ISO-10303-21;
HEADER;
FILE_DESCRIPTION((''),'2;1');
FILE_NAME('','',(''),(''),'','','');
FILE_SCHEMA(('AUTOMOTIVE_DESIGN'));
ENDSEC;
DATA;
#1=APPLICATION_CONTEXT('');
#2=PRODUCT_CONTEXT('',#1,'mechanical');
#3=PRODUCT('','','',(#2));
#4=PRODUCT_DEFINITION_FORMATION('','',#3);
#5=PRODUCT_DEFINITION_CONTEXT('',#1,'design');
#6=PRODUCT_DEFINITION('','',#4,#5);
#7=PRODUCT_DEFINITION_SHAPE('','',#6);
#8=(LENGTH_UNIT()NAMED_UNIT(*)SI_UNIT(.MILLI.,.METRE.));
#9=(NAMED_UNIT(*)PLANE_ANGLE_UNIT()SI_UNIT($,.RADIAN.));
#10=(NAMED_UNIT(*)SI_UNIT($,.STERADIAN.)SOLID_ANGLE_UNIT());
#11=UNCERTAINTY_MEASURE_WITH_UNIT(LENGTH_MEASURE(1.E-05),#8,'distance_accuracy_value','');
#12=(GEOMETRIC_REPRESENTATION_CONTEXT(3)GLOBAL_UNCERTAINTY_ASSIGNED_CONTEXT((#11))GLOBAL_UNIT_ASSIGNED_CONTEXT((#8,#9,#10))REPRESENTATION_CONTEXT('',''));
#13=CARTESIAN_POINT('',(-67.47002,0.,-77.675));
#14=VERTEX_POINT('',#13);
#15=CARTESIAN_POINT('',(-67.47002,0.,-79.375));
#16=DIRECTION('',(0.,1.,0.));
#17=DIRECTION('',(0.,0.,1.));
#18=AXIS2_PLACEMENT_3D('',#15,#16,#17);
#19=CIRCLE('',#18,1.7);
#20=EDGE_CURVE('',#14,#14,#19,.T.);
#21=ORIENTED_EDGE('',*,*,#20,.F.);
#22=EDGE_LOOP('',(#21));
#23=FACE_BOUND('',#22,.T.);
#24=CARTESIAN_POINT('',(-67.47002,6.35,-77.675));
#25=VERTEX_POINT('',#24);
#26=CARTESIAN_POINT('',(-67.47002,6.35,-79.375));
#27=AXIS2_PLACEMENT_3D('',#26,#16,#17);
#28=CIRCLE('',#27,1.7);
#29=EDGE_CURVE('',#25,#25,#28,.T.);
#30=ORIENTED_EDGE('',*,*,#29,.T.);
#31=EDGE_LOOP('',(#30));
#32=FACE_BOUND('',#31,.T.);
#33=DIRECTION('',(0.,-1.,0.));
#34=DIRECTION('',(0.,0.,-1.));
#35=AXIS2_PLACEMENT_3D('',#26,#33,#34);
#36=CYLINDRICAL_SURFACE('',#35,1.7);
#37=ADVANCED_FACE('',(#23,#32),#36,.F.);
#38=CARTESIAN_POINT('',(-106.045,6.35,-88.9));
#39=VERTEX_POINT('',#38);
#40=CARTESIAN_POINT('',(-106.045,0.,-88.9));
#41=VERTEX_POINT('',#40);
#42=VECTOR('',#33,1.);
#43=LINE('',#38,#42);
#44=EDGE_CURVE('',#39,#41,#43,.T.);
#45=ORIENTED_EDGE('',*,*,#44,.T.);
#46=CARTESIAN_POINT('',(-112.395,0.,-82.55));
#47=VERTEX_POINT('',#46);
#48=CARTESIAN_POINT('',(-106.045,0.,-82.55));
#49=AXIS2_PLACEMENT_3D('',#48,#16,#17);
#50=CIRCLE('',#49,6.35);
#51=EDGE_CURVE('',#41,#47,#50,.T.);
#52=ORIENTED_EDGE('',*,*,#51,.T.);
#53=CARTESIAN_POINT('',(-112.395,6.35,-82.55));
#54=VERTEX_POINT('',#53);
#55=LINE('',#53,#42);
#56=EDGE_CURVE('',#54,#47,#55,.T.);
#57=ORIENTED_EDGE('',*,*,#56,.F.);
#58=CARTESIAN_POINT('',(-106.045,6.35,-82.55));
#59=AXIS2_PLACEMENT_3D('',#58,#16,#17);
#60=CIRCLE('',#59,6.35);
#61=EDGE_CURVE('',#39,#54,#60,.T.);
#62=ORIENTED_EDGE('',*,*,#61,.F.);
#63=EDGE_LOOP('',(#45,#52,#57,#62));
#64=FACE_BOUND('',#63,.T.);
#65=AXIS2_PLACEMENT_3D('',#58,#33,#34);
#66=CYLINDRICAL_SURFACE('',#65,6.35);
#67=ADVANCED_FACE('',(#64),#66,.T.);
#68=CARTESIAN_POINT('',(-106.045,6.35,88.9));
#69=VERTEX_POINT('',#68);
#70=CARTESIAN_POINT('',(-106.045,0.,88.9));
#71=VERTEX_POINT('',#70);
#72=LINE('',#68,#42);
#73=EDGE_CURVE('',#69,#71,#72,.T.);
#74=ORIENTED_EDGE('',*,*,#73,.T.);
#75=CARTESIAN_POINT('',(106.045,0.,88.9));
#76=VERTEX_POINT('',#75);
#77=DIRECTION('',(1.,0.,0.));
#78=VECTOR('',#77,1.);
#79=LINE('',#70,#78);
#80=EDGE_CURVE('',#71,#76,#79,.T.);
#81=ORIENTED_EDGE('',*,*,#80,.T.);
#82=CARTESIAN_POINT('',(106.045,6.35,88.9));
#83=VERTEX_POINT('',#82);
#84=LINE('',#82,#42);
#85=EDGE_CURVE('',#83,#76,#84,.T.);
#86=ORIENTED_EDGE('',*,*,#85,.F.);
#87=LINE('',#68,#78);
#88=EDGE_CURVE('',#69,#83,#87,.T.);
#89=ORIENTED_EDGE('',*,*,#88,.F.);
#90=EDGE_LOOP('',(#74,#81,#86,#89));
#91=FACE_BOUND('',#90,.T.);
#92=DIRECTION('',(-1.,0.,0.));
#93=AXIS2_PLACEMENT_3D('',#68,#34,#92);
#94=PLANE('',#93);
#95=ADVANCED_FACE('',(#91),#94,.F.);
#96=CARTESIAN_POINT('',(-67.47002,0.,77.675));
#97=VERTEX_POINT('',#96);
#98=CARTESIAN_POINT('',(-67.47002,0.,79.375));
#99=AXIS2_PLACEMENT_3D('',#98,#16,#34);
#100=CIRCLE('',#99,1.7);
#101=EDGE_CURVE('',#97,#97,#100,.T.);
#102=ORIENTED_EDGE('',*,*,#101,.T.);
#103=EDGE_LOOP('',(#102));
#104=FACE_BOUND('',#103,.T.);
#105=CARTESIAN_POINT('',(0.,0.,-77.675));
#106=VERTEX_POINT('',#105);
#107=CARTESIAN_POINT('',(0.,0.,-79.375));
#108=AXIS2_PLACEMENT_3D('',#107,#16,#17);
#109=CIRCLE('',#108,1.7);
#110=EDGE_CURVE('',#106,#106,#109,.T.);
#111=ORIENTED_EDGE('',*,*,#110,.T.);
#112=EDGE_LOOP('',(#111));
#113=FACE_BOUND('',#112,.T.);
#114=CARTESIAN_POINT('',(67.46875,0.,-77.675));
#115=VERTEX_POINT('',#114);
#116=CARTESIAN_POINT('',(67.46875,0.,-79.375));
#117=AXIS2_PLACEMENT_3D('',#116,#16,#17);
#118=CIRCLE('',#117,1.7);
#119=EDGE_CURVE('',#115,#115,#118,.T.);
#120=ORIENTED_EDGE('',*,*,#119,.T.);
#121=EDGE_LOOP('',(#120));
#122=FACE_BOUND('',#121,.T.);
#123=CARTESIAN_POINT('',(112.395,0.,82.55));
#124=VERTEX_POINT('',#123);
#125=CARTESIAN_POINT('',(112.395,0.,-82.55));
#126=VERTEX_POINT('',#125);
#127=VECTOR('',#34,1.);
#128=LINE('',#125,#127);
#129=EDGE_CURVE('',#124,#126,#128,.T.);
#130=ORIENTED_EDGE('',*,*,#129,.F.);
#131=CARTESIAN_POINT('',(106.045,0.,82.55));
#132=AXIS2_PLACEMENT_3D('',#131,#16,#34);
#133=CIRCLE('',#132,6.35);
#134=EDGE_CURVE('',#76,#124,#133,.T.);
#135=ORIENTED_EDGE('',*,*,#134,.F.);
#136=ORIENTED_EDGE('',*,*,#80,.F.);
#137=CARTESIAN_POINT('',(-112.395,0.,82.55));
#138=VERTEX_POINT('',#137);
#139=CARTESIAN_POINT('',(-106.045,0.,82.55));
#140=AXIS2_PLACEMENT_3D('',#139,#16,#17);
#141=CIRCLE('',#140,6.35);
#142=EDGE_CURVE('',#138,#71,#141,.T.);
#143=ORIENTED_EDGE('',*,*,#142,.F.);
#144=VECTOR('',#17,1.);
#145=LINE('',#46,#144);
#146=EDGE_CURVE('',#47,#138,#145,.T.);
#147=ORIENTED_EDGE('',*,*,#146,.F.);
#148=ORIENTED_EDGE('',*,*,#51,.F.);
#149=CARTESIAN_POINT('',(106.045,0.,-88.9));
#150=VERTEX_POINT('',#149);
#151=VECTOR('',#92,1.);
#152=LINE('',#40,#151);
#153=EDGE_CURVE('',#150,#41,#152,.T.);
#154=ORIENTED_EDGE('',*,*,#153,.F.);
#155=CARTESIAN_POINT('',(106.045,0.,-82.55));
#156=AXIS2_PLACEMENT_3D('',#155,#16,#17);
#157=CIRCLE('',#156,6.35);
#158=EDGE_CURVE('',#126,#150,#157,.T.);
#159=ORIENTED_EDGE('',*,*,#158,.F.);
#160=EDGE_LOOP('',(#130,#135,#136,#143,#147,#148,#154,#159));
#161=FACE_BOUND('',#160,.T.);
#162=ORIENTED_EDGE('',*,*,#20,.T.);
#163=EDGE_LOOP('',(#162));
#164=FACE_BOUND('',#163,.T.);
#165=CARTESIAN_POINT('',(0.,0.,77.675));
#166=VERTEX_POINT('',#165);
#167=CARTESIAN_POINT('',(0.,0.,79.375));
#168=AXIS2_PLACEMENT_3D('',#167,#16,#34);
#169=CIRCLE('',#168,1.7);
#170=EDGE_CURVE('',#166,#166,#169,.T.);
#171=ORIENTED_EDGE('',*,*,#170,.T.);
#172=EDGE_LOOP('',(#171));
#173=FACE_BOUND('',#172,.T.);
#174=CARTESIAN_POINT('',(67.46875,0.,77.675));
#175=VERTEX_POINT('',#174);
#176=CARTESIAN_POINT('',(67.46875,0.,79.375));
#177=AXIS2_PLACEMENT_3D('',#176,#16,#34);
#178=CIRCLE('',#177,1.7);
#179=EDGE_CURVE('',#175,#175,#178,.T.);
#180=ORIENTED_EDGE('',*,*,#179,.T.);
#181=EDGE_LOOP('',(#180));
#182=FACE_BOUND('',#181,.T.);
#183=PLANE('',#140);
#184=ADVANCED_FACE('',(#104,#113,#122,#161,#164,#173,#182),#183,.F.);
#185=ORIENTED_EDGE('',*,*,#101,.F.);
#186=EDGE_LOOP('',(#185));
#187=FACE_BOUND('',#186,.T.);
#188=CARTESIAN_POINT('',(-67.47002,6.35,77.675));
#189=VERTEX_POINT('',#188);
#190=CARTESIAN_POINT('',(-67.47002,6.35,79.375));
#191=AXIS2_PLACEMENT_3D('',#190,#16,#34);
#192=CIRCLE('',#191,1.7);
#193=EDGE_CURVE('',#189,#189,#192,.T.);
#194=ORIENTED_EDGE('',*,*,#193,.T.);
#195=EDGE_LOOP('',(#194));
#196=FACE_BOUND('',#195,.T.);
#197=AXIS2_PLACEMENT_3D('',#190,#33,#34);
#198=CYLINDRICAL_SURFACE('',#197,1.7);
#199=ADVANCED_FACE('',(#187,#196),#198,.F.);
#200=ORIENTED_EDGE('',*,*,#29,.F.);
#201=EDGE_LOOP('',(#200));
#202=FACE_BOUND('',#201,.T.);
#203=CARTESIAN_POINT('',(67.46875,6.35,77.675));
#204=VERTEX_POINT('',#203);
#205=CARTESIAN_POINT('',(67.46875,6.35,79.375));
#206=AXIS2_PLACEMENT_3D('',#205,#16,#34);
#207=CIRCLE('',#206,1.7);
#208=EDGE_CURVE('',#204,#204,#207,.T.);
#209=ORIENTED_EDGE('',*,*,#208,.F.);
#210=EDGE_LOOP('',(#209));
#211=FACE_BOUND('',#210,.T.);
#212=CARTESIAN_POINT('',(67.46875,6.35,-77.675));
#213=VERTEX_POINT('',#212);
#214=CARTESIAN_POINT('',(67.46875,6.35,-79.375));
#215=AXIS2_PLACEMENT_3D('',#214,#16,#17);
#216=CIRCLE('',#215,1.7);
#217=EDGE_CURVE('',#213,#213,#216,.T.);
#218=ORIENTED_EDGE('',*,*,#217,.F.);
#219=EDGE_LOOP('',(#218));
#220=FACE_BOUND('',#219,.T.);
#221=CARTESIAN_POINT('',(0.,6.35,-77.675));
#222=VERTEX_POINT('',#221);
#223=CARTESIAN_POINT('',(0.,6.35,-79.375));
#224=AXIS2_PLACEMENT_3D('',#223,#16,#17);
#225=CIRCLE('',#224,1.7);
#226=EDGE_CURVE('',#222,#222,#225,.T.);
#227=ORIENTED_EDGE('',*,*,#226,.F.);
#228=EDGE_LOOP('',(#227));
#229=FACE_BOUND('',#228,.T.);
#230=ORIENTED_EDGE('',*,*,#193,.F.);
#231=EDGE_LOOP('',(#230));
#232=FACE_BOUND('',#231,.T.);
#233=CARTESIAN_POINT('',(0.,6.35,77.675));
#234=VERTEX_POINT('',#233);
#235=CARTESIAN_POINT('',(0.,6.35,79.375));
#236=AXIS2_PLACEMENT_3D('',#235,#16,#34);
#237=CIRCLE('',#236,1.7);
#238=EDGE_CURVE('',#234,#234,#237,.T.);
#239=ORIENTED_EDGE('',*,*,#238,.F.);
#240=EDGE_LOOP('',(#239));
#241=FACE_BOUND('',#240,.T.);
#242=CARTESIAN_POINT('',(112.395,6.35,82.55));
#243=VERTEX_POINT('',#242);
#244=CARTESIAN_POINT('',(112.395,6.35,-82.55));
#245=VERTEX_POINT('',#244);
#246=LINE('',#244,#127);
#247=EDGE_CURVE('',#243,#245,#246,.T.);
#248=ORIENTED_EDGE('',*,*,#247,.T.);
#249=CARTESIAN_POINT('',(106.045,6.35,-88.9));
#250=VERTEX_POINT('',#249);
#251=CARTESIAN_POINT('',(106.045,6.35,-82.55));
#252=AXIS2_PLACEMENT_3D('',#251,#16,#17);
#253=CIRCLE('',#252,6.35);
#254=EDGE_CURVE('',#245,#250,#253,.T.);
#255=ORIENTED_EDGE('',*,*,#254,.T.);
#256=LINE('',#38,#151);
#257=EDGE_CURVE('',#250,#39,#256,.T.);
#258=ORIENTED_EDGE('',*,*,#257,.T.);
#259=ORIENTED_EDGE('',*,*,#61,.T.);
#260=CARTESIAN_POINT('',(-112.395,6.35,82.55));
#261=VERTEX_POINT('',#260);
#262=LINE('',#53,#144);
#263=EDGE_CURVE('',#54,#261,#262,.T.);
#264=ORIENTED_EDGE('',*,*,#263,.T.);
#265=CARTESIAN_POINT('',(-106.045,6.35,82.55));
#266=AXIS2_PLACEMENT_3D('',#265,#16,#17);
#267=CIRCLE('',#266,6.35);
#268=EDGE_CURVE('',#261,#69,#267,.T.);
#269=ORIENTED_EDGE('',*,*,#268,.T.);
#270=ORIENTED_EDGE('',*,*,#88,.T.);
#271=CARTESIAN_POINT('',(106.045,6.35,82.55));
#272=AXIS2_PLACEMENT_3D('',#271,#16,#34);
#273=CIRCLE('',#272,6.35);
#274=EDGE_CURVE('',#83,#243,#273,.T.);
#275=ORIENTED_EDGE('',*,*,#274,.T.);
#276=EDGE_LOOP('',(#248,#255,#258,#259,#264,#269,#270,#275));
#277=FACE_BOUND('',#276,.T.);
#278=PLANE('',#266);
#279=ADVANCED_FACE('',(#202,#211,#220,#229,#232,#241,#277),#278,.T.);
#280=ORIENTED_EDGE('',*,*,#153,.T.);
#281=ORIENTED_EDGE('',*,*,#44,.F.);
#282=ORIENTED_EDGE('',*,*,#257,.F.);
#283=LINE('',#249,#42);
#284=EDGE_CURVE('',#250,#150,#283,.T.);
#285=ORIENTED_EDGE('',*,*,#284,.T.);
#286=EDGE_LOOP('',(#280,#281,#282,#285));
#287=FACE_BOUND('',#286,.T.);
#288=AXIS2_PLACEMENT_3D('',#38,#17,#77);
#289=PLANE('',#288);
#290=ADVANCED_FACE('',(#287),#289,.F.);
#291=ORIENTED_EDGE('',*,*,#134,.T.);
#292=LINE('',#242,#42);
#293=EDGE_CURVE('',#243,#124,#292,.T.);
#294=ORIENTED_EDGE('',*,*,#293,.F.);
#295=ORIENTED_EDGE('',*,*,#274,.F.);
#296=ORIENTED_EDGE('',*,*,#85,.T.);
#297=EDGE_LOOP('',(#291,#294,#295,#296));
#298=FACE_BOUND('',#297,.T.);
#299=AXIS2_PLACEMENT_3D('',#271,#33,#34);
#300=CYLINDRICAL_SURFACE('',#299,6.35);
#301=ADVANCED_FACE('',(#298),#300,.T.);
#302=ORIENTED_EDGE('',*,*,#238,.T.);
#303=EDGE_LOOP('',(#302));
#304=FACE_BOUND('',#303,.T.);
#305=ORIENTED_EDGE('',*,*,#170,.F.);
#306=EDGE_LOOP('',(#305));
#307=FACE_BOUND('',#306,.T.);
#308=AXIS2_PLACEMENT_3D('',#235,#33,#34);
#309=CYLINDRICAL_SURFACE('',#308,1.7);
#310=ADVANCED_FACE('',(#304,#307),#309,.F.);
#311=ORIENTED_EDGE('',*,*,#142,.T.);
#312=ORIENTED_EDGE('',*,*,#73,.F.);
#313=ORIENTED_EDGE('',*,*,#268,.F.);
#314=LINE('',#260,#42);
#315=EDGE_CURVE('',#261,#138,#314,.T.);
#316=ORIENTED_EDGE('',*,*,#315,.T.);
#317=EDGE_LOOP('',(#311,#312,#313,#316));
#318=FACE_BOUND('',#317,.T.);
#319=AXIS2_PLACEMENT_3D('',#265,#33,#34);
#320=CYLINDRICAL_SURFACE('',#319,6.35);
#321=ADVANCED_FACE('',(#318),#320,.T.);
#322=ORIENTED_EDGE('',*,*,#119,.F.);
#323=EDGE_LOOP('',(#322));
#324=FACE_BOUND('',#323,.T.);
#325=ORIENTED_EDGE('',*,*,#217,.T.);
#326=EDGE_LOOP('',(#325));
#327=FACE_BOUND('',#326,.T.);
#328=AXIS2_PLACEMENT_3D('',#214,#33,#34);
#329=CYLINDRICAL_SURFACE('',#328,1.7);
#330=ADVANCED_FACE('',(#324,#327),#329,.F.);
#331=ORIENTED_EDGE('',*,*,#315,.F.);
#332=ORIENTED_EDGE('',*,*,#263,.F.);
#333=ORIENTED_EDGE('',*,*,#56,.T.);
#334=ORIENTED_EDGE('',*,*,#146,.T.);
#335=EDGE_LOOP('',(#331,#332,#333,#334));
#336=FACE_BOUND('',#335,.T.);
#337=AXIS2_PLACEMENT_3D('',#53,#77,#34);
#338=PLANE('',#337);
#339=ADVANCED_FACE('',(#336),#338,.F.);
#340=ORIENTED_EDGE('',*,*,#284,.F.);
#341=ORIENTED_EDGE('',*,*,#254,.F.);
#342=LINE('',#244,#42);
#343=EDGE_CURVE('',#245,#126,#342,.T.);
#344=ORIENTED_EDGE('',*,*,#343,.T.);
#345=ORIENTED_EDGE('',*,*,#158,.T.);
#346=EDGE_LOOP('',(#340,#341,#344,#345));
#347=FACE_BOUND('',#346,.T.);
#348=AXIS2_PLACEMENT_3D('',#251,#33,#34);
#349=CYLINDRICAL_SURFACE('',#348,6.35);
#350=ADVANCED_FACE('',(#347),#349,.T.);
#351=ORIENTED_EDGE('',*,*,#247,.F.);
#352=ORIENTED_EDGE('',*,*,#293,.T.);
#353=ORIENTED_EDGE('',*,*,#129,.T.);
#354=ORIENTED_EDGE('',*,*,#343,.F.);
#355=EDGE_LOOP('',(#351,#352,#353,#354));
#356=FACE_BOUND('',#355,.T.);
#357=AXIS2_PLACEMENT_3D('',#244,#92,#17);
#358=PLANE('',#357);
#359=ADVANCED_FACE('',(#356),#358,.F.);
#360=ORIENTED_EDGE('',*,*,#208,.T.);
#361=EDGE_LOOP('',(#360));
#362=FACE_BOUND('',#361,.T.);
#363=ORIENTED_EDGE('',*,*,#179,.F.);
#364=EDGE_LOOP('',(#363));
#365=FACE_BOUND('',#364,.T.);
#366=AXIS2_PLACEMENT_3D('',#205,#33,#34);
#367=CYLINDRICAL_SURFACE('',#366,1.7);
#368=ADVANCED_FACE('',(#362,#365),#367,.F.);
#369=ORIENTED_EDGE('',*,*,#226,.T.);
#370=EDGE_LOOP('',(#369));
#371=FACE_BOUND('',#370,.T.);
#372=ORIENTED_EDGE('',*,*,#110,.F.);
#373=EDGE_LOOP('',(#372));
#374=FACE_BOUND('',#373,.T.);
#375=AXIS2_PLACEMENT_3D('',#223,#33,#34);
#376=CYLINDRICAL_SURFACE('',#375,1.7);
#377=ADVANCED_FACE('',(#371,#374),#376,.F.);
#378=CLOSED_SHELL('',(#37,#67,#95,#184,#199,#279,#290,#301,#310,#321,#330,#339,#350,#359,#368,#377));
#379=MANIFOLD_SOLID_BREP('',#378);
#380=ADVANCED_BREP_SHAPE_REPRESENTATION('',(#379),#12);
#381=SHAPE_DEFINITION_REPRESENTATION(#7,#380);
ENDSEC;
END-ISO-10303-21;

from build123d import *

# Parameters (mm, degrees)
SKETCH1_R           = 1.7
BOSS_EXTRUDE1_DEPTH = 6.35


with BuildPart() as part:
    # Sketch1 → Boss-Extrude1 (new body)
    with BuildSketch(Plane(origin=(0, 0, 0), x_dir=(1, 0, 0), z_dir=(0, 1, 0))):
        with BuildLine():
            Line((-106.045, 88.9), (106.045, 88.9))
            ThreePointArc((106.045, 88.9), (110.535128061, 87.040128061), (112.395, 82.55))
            Line((112.395, 82.55), (112.395, -82.55))
            ThreePointArc((112.395, -82.55), (110.535128061, -87.040128061), (106.045, -88.9))
            Line((106.045, -88.9), (-106.045, -88.9))
            ThreePointArc((-106.045, -88.9), (-110.535128061, -87.040128061), (-112.395, -82.55))
            Line((-112.395, -82.55), (-112.395, 82.55))
            ThreePointArc((-112.395, 82.55), (-110.535128061, 87.040128061), (-106.045, 88.9))
        make_face()
        with Locations(Location((-67.47002, 79.375, 0), (0, 0, 270))):
            Circle(SKETCH1_R, mode=Mode.SUBTRACT)
        with Locations(Location((0, 79.375, 0), (0, 0, 270))):
            Circle(SKETCH1_R, mode=Mode.SUBTRACT)
        with Locations(Location((67.46875, 79.375, 0), (0, 0, 270))):
            Circle(SKETCH1_R, mode=Mode.SUBTRACT)
        with Locations(Location((67.46875, -79.375, 0), (0, 0, 90))):
            Circle(SKETCH1_R, mode=Mode.SUBTRACT)
        with Locations(Location((0, -79.375, 0), (0, 0, 90))):
            Circle(SKETCH1_R, mode=Mode.SUBTRACT)
        with Locations(Location((-67.47002, -79.375, 0), (0, 0, 90))):
            Circle(SKETCH1_R, mode=Mode.SUBTRACT)
    extrude(amount=BOSS_EXTRUDE1_DEPTH)


solid = part.part
